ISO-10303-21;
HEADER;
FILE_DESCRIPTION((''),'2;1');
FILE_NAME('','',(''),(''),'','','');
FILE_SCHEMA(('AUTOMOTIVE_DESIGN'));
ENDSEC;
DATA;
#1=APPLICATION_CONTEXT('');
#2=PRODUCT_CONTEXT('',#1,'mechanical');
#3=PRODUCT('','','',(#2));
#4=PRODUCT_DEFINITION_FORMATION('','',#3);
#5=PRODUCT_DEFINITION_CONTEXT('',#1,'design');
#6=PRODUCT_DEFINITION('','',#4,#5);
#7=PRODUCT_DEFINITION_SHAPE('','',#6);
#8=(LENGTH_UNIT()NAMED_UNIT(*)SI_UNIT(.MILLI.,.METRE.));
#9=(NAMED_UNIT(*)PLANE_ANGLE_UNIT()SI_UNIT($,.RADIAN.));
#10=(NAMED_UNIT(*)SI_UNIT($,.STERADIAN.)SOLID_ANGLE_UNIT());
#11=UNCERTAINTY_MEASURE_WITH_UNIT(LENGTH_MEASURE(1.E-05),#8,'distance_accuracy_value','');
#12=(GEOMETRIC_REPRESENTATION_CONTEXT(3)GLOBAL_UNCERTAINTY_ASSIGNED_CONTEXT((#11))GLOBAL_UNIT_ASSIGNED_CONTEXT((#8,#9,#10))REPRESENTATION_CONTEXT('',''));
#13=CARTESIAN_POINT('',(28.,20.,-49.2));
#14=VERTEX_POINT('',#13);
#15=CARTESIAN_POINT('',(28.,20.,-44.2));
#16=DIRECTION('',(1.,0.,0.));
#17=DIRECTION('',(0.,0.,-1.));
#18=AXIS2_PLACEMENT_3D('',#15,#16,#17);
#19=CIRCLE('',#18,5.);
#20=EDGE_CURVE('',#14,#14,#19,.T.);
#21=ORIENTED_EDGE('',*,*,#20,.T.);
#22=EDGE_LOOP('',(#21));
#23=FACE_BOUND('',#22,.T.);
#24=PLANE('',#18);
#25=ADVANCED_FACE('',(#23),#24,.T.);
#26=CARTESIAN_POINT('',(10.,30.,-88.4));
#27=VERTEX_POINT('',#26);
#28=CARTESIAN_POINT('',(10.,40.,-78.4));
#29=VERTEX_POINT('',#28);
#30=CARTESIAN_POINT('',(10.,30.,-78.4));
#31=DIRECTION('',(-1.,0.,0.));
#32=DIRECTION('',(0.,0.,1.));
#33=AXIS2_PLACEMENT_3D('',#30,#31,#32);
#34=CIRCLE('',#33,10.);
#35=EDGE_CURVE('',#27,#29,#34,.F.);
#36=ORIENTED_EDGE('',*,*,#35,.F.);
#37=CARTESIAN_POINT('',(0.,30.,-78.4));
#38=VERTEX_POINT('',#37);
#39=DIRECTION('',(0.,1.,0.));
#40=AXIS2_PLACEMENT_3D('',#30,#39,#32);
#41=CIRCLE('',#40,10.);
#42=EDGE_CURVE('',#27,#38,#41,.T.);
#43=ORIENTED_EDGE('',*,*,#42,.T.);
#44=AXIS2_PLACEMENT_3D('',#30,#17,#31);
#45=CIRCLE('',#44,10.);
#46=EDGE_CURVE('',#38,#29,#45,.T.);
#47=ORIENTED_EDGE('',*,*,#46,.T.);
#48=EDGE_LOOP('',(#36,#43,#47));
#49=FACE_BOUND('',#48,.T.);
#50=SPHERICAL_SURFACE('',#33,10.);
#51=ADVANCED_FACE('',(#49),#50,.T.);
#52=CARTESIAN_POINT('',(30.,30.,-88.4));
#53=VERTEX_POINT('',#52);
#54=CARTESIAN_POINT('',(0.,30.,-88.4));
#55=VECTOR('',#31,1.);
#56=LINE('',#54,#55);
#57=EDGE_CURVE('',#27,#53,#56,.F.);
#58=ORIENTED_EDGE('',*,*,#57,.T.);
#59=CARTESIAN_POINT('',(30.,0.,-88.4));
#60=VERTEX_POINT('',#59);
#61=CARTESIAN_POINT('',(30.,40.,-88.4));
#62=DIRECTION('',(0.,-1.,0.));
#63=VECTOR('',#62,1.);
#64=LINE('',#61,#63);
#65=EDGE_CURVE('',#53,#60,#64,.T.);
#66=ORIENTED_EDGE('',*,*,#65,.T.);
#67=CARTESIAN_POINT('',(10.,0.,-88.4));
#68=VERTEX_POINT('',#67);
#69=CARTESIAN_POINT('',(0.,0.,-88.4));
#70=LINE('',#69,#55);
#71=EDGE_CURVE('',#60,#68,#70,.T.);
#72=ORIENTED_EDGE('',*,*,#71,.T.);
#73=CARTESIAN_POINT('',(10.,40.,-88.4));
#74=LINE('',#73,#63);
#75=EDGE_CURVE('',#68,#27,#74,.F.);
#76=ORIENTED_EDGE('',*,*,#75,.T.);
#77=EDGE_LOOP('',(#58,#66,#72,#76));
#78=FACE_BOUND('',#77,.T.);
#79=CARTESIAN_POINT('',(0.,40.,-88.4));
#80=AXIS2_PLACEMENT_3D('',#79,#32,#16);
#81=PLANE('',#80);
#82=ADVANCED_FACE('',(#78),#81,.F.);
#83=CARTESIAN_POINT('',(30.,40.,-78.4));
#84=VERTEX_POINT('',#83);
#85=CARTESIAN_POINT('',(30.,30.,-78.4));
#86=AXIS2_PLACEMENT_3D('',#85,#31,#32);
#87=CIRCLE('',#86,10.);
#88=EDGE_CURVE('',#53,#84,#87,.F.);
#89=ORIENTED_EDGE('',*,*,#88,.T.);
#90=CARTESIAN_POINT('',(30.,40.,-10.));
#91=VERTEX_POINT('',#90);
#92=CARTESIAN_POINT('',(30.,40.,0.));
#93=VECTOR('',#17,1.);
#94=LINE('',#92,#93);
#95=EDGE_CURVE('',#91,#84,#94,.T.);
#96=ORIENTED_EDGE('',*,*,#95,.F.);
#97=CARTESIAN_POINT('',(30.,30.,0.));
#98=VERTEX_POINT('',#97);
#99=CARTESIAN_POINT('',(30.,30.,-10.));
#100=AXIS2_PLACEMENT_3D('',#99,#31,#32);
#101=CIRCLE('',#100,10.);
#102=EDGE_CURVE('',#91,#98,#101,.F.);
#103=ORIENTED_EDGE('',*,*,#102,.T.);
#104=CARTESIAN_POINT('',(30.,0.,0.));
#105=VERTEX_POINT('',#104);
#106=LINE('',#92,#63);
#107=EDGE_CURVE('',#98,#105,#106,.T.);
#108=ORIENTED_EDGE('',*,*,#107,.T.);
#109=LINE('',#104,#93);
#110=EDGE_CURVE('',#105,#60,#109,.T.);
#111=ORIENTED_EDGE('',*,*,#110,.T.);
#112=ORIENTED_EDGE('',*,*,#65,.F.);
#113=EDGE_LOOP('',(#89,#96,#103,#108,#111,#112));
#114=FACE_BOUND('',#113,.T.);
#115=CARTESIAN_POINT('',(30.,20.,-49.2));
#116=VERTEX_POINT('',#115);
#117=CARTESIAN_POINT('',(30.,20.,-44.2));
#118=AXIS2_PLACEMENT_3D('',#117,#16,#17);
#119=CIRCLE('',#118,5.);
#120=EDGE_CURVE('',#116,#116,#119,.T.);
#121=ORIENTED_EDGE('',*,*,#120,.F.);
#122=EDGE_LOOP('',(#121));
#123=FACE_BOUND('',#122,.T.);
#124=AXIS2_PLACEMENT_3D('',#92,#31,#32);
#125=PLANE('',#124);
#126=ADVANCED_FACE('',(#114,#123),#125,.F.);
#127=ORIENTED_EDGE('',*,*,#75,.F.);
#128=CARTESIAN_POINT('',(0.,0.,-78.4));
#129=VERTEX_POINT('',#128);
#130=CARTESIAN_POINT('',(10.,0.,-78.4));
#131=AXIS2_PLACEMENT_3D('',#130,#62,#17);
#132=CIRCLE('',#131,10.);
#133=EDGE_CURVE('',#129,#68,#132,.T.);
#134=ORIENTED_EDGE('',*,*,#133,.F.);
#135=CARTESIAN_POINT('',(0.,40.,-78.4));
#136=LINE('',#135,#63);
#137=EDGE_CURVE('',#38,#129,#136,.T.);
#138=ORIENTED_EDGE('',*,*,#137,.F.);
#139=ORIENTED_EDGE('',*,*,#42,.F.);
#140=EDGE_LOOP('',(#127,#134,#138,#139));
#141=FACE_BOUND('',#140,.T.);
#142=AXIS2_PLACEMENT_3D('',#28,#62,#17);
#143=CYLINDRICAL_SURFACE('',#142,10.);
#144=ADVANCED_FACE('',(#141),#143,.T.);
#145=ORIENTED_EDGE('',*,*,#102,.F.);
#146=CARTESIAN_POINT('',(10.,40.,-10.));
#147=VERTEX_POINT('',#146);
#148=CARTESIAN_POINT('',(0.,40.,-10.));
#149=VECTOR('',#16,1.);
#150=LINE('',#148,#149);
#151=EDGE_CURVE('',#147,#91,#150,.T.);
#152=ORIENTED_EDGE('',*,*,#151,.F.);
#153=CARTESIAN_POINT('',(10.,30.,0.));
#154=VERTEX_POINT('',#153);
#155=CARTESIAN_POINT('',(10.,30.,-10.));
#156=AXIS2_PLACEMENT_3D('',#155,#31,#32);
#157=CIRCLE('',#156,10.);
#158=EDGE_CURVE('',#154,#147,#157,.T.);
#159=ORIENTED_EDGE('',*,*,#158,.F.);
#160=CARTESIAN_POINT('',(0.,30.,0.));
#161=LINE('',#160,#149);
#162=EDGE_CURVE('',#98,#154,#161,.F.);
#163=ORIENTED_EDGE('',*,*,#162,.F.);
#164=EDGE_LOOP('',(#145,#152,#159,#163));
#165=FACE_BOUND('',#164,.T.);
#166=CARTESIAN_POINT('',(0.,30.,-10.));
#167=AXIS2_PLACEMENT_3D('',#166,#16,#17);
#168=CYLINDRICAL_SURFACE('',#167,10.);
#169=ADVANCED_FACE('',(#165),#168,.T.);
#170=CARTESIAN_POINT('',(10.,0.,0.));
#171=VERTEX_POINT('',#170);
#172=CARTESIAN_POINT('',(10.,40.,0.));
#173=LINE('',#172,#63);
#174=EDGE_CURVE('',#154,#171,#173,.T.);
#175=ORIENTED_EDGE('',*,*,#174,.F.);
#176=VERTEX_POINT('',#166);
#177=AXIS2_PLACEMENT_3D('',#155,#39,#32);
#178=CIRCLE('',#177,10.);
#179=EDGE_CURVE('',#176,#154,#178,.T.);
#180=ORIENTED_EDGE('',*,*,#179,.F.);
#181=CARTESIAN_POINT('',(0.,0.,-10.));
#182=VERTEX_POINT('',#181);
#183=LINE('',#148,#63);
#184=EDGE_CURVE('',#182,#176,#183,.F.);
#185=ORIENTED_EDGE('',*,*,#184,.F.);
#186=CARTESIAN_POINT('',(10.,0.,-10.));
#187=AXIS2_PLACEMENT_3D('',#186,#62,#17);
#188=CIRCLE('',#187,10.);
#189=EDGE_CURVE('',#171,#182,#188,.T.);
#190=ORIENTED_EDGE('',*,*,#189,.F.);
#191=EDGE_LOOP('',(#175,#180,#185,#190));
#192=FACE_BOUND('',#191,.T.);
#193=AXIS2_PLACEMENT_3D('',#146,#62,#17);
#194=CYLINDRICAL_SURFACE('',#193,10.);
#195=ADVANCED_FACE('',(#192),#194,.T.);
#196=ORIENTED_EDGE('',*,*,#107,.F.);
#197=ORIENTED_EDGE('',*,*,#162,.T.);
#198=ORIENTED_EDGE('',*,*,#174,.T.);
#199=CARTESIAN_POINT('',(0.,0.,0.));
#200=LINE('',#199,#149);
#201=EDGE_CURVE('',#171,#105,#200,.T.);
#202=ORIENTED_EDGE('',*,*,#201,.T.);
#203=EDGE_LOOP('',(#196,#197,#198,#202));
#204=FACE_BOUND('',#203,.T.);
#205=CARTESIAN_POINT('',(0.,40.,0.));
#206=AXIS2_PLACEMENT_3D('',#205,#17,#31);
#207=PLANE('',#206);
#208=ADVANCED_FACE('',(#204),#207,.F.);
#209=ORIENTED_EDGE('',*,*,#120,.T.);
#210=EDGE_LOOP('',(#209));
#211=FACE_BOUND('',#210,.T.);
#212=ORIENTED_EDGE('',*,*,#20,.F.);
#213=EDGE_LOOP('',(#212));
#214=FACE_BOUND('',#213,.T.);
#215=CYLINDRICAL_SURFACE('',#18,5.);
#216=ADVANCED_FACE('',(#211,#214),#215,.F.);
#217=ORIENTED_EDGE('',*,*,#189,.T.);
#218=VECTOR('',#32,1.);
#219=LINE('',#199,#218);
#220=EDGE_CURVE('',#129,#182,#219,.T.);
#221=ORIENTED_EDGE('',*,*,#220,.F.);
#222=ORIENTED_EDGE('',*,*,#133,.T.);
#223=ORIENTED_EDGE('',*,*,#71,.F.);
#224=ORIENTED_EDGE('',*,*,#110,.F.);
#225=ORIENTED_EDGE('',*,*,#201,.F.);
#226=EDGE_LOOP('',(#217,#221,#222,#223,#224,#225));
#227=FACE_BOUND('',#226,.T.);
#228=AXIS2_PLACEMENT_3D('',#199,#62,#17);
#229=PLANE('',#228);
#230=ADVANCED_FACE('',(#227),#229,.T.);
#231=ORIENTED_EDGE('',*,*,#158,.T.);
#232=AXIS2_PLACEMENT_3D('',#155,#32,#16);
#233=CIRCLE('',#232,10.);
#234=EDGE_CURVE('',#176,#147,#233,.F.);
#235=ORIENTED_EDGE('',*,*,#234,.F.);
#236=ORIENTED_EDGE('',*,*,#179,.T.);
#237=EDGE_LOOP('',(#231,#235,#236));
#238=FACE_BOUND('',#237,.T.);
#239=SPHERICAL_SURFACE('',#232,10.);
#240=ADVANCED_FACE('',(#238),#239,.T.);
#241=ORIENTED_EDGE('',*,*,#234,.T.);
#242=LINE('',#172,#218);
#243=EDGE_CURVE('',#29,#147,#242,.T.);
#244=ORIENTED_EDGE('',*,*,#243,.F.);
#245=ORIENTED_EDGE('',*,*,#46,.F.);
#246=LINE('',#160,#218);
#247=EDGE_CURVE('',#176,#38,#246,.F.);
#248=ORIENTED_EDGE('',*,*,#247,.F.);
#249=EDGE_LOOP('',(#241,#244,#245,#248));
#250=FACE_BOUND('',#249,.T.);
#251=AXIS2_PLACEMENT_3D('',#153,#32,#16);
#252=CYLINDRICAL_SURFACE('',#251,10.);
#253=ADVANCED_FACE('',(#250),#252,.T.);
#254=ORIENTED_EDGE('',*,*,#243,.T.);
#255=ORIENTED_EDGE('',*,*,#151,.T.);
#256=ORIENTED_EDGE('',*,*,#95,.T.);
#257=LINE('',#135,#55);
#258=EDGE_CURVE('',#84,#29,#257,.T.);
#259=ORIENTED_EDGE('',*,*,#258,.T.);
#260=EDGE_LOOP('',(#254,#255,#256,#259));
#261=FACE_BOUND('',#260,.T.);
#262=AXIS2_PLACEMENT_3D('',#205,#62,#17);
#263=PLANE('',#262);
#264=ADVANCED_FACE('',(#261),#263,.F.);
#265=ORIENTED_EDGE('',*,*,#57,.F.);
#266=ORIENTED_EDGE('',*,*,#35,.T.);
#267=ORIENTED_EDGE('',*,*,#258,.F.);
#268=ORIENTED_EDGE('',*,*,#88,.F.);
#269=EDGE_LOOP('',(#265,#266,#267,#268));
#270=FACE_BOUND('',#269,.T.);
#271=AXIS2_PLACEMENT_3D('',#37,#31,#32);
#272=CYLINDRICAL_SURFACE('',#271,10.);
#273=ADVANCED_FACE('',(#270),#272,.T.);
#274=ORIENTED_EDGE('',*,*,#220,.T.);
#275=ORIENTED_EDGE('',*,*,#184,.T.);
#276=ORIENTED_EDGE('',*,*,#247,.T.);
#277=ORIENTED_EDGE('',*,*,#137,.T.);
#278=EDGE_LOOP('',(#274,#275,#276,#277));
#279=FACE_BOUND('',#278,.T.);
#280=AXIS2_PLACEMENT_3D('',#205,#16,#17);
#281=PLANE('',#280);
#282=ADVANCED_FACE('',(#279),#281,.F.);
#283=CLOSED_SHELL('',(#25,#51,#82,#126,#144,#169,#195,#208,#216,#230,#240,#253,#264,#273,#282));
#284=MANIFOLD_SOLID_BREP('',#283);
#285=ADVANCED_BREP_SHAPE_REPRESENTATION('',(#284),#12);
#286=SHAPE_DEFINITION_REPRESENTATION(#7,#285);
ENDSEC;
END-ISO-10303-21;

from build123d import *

# Parameters (mm, degrees)
SKETCH1_W           = 30
SKETCH1_H           = 88.4
BOSS_EXTRUDE1_DEPTH = 40
FILLET1_R           = 10
SKETCH2_R           = 5
CUT_EXTRUDE1_DEPTH  = 2


with BuildPart() as part:
    # Sketch1 → Boss-Extrude1 (new body)
    with BuildSketch(Plane(origin=(0, 0, 0), x_dir=(1, 0, 0), z_dir=(0, 1, 0))):
        with Locations((15, 44.2)):
            Rectangle(SKETCH1_W, SKETCH1_H)
    extrude(amount=BOSS_EXTRUDE1_DEPTH)

    # Fillet1
    fillet1_edges = [part.edges().sort_by_distance(p)[0] for p in [
        (15, 40, -88.4),
        (0, 40, -44.2),
        (0, 20, -88.4),
        (0, 20, 0),
        (15, 40, 0),
    ]]
    fillet(fillet1_edges, radius=FILLET1_R)

    # Sketch2 → Cut-Extrude1 (cut)
    with BuildSketch(Plane(origin=(30, 0, 0), x_dir=(0, 0, -1), z_dir=(1, 0, 0))):
        with Locations((44.2, 20)):
            Circle(SKETCH2_R)
    extrude(amount=-CUT_EXTRUDE1_DEPTH, mode=Mode.SUBTRACT)


solid = part.part
